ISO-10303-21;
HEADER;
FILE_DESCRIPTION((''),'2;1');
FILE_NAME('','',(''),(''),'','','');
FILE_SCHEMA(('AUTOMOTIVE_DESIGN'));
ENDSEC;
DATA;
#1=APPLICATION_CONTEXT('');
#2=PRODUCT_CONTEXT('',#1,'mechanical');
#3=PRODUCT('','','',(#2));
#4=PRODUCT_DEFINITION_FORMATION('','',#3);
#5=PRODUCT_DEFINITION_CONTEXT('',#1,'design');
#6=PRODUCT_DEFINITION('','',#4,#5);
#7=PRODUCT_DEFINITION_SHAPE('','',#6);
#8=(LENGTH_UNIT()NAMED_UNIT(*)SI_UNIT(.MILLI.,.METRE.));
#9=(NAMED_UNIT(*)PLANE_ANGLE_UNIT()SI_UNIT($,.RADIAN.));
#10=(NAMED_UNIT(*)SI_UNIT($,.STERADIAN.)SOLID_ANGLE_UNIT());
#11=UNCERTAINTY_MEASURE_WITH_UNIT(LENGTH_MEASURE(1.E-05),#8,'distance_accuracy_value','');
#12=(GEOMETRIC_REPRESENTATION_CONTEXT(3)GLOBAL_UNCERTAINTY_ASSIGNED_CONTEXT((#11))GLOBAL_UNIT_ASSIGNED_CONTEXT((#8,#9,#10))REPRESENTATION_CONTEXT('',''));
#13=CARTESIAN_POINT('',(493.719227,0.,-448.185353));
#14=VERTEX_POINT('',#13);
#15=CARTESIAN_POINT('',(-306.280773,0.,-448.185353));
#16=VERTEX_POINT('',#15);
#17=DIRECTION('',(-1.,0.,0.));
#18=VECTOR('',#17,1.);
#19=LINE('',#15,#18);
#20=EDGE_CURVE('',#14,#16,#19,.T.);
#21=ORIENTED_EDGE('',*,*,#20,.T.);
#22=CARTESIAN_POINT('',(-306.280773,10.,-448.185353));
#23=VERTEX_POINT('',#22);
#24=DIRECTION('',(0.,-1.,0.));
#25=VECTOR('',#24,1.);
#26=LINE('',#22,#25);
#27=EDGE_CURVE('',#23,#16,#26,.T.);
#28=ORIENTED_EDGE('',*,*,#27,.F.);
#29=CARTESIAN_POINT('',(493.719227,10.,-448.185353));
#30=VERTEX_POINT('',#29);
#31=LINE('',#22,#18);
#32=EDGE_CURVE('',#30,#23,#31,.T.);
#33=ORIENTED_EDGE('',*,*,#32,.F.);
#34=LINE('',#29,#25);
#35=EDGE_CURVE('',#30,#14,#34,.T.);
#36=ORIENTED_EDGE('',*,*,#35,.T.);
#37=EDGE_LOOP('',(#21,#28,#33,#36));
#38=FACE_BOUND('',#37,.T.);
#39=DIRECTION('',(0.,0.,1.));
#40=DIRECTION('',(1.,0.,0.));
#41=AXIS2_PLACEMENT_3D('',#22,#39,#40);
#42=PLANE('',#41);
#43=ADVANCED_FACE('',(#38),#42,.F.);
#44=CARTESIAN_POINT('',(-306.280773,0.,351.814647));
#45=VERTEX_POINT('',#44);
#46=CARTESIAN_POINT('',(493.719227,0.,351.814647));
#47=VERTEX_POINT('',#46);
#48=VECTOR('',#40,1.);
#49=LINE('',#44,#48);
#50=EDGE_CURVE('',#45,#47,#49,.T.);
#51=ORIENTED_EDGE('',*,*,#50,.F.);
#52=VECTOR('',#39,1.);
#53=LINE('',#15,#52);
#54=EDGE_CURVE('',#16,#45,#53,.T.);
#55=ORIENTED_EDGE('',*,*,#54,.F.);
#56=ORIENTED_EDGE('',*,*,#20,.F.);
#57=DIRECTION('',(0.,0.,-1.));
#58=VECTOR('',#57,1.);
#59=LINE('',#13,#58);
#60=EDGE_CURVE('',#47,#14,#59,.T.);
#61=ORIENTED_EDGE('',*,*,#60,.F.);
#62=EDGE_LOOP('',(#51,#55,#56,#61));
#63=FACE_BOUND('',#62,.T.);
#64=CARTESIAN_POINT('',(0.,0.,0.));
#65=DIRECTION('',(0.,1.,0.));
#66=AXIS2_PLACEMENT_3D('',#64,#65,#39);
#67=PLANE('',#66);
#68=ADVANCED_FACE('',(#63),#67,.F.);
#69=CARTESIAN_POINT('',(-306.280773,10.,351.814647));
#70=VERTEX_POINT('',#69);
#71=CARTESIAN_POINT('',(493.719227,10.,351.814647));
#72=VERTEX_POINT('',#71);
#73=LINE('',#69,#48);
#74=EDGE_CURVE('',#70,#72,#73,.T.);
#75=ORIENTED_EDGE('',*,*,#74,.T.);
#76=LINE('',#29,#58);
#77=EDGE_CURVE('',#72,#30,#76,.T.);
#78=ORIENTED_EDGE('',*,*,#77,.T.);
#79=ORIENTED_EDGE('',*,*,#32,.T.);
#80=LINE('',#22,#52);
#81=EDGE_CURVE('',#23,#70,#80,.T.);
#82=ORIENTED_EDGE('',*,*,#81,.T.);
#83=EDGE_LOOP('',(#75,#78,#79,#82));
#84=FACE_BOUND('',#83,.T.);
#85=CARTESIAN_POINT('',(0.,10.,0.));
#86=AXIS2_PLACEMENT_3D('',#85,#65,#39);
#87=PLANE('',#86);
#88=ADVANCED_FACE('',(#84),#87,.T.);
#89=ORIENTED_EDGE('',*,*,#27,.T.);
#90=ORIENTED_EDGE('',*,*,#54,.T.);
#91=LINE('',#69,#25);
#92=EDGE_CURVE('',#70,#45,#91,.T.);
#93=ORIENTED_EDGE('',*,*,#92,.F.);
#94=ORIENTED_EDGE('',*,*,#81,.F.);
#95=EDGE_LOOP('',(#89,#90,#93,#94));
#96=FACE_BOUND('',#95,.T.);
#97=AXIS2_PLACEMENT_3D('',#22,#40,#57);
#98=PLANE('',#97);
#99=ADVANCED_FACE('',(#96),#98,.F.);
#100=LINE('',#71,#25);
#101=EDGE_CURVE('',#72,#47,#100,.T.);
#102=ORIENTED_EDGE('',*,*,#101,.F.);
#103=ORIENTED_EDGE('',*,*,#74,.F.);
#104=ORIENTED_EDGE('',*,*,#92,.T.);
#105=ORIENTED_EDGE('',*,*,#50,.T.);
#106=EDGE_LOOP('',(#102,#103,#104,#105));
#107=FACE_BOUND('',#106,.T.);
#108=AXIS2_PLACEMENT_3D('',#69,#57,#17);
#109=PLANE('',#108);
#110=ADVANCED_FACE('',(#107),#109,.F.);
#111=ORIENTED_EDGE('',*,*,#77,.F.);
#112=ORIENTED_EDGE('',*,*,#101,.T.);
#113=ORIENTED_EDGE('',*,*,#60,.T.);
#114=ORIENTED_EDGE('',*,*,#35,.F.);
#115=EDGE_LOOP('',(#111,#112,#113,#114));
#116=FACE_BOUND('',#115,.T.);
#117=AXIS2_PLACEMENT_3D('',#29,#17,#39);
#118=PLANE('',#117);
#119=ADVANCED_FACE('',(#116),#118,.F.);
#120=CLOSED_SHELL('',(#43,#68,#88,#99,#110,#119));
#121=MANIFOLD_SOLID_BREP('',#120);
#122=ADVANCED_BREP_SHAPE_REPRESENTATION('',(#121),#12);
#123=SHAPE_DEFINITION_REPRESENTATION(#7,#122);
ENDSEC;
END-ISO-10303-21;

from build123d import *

# Parameters (mm, degrees)
SKETCH1_W           = 800
SKETCH1_H           = 800
BOSS_EXTRUDE1_DEPTH = 10


with BuildPart() as part:
    # Sketch1 → Boss-Extrude1 (new body)
    with BuildSketch(Plane(origin=(0, 0, 0), x_dir=(1, 0, 0), z_dir=(0, 1, 0))):
        with Locations((93.719227428, 48.185352771)):
            Rectangle(SKETCH1_W, SKETCH1_H)
    extrude(amount=BOSS_EXTRUDE1_DEPTH)


solid = part.part
